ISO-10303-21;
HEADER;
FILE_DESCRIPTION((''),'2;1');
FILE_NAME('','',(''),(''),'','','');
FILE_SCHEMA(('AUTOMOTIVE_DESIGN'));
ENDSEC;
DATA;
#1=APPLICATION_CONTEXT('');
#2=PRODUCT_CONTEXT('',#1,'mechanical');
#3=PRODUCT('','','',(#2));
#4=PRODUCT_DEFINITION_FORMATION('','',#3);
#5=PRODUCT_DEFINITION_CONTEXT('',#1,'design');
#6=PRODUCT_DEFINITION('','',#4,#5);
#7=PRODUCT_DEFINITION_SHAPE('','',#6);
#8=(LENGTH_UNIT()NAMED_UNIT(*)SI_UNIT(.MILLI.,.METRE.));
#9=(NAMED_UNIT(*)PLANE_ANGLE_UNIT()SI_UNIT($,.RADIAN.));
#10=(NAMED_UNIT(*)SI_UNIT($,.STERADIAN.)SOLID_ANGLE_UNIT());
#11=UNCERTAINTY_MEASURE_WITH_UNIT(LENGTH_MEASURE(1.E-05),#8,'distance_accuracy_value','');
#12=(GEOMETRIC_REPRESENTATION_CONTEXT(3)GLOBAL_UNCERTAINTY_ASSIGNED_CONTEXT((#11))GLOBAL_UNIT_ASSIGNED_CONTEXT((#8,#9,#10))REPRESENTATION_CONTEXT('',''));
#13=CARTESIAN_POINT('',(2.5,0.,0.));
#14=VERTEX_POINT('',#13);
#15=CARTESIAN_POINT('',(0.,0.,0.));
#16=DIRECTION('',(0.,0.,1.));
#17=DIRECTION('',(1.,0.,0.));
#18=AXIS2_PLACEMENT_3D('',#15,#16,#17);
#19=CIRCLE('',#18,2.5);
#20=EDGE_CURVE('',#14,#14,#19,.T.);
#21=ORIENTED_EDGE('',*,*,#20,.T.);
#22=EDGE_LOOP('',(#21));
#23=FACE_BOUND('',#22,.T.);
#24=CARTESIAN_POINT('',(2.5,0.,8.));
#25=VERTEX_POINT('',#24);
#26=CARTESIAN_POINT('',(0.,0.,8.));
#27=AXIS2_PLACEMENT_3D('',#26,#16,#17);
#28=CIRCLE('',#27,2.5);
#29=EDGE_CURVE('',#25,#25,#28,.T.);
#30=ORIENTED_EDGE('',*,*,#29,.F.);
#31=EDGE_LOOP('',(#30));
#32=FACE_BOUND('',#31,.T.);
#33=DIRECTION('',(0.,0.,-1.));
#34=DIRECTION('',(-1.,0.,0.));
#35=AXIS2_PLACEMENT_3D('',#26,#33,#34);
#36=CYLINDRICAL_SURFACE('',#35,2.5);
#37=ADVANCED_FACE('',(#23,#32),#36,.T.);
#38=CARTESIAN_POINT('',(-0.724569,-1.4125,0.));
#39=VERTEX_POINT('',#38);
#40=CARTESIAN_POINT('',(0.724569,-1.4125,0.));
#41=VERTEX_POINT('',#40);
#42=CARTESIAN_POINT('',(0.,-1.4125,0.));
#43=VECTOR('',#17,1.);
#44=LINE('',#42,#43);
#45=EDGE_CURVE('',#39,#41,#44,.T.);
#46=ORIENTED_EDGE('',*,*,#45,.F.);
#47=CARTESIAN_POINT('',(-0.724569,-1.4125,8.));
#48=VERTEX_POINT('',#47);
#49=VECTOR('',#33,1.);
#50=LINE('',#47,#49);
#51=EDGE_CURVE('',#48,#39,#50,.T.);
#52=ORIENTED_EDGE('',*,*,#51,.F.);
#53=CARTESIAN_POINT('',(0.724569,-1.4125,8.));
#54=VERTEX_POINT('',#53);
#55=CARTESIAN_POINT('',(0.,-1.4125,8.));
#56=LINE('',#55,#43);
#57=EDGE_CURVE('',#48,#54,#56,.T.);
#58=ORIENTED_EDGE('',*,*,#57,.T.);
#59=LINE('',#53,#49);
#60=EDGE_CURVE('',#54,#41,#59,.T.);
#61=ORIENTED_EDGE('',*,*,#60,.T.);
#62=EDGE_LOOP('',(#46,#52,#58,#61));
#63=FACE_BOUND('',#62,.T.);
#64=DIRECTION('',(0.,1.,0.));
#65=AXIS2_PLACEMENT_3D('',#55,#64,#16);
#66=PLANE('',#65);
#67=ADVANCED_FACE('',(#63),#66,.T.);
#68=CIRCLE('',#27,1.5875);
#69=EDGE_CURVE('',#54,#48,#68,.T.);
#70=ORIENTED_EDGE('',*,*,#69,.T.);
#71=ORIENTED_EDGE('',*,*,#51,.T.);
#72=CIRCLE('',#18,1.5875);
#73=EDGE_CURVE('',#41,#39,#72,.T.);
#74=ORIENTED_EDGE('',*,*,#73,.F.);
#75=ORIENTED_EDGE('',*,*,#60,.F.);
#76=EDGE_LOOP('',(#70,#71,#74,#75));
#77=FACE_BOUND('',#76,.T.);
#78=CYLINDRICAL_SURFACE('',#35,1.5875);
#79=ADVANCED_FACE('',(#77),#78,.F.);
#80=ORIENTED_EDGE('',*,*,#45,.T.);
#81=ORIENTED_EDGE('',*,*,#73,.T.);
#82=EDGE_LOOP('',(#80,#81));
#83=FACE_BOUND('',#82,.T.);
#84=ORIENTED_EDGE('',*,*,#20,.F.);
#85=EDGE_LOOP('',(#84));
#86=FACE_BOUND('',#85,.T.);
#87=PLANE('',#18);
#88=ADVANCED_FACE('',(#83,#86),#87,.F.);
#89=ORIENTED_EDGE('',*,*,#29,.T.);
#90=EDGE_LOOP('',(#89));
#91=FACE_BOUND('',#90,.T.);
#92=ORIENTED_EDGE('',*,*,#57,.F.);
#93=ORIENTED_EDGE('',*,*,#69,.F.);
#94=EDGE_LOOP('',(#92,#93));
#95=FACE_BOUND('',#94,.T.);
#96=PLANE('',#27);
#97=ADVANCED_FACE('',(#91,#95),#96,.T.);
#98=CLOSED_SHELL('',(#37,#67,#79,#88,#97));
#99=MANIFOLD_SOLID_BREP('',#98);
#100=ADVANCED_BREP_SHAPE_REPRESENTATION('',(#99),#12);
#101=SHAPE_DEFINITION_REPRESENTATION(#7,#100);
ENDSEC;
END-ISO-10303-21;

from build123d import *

# Parameters (mm, degrees)
SKETCH1_R           = 2.5
BOSS_EXTRUDE4_DEPTH = 8


with BuildPart() as part:
    # Sketch1 → Boss-Extrude4 (new body)
    with BuildSketch(Plane.XY):
        Circle(SKETCH1_R)
        with BuildLine():
            Line((0.724568837, -1.4125), (-0.724568837, -1.4125))
            ThreePointArc((-0.724568837, -1.4125), (0, 1.5875), (0.724568837, -1.4125))
        make_face(mode=Mode.SUBTRACT)
    extrude(amount=BOSS_EXTRUDE4_DEPTH)


solid = part.part
